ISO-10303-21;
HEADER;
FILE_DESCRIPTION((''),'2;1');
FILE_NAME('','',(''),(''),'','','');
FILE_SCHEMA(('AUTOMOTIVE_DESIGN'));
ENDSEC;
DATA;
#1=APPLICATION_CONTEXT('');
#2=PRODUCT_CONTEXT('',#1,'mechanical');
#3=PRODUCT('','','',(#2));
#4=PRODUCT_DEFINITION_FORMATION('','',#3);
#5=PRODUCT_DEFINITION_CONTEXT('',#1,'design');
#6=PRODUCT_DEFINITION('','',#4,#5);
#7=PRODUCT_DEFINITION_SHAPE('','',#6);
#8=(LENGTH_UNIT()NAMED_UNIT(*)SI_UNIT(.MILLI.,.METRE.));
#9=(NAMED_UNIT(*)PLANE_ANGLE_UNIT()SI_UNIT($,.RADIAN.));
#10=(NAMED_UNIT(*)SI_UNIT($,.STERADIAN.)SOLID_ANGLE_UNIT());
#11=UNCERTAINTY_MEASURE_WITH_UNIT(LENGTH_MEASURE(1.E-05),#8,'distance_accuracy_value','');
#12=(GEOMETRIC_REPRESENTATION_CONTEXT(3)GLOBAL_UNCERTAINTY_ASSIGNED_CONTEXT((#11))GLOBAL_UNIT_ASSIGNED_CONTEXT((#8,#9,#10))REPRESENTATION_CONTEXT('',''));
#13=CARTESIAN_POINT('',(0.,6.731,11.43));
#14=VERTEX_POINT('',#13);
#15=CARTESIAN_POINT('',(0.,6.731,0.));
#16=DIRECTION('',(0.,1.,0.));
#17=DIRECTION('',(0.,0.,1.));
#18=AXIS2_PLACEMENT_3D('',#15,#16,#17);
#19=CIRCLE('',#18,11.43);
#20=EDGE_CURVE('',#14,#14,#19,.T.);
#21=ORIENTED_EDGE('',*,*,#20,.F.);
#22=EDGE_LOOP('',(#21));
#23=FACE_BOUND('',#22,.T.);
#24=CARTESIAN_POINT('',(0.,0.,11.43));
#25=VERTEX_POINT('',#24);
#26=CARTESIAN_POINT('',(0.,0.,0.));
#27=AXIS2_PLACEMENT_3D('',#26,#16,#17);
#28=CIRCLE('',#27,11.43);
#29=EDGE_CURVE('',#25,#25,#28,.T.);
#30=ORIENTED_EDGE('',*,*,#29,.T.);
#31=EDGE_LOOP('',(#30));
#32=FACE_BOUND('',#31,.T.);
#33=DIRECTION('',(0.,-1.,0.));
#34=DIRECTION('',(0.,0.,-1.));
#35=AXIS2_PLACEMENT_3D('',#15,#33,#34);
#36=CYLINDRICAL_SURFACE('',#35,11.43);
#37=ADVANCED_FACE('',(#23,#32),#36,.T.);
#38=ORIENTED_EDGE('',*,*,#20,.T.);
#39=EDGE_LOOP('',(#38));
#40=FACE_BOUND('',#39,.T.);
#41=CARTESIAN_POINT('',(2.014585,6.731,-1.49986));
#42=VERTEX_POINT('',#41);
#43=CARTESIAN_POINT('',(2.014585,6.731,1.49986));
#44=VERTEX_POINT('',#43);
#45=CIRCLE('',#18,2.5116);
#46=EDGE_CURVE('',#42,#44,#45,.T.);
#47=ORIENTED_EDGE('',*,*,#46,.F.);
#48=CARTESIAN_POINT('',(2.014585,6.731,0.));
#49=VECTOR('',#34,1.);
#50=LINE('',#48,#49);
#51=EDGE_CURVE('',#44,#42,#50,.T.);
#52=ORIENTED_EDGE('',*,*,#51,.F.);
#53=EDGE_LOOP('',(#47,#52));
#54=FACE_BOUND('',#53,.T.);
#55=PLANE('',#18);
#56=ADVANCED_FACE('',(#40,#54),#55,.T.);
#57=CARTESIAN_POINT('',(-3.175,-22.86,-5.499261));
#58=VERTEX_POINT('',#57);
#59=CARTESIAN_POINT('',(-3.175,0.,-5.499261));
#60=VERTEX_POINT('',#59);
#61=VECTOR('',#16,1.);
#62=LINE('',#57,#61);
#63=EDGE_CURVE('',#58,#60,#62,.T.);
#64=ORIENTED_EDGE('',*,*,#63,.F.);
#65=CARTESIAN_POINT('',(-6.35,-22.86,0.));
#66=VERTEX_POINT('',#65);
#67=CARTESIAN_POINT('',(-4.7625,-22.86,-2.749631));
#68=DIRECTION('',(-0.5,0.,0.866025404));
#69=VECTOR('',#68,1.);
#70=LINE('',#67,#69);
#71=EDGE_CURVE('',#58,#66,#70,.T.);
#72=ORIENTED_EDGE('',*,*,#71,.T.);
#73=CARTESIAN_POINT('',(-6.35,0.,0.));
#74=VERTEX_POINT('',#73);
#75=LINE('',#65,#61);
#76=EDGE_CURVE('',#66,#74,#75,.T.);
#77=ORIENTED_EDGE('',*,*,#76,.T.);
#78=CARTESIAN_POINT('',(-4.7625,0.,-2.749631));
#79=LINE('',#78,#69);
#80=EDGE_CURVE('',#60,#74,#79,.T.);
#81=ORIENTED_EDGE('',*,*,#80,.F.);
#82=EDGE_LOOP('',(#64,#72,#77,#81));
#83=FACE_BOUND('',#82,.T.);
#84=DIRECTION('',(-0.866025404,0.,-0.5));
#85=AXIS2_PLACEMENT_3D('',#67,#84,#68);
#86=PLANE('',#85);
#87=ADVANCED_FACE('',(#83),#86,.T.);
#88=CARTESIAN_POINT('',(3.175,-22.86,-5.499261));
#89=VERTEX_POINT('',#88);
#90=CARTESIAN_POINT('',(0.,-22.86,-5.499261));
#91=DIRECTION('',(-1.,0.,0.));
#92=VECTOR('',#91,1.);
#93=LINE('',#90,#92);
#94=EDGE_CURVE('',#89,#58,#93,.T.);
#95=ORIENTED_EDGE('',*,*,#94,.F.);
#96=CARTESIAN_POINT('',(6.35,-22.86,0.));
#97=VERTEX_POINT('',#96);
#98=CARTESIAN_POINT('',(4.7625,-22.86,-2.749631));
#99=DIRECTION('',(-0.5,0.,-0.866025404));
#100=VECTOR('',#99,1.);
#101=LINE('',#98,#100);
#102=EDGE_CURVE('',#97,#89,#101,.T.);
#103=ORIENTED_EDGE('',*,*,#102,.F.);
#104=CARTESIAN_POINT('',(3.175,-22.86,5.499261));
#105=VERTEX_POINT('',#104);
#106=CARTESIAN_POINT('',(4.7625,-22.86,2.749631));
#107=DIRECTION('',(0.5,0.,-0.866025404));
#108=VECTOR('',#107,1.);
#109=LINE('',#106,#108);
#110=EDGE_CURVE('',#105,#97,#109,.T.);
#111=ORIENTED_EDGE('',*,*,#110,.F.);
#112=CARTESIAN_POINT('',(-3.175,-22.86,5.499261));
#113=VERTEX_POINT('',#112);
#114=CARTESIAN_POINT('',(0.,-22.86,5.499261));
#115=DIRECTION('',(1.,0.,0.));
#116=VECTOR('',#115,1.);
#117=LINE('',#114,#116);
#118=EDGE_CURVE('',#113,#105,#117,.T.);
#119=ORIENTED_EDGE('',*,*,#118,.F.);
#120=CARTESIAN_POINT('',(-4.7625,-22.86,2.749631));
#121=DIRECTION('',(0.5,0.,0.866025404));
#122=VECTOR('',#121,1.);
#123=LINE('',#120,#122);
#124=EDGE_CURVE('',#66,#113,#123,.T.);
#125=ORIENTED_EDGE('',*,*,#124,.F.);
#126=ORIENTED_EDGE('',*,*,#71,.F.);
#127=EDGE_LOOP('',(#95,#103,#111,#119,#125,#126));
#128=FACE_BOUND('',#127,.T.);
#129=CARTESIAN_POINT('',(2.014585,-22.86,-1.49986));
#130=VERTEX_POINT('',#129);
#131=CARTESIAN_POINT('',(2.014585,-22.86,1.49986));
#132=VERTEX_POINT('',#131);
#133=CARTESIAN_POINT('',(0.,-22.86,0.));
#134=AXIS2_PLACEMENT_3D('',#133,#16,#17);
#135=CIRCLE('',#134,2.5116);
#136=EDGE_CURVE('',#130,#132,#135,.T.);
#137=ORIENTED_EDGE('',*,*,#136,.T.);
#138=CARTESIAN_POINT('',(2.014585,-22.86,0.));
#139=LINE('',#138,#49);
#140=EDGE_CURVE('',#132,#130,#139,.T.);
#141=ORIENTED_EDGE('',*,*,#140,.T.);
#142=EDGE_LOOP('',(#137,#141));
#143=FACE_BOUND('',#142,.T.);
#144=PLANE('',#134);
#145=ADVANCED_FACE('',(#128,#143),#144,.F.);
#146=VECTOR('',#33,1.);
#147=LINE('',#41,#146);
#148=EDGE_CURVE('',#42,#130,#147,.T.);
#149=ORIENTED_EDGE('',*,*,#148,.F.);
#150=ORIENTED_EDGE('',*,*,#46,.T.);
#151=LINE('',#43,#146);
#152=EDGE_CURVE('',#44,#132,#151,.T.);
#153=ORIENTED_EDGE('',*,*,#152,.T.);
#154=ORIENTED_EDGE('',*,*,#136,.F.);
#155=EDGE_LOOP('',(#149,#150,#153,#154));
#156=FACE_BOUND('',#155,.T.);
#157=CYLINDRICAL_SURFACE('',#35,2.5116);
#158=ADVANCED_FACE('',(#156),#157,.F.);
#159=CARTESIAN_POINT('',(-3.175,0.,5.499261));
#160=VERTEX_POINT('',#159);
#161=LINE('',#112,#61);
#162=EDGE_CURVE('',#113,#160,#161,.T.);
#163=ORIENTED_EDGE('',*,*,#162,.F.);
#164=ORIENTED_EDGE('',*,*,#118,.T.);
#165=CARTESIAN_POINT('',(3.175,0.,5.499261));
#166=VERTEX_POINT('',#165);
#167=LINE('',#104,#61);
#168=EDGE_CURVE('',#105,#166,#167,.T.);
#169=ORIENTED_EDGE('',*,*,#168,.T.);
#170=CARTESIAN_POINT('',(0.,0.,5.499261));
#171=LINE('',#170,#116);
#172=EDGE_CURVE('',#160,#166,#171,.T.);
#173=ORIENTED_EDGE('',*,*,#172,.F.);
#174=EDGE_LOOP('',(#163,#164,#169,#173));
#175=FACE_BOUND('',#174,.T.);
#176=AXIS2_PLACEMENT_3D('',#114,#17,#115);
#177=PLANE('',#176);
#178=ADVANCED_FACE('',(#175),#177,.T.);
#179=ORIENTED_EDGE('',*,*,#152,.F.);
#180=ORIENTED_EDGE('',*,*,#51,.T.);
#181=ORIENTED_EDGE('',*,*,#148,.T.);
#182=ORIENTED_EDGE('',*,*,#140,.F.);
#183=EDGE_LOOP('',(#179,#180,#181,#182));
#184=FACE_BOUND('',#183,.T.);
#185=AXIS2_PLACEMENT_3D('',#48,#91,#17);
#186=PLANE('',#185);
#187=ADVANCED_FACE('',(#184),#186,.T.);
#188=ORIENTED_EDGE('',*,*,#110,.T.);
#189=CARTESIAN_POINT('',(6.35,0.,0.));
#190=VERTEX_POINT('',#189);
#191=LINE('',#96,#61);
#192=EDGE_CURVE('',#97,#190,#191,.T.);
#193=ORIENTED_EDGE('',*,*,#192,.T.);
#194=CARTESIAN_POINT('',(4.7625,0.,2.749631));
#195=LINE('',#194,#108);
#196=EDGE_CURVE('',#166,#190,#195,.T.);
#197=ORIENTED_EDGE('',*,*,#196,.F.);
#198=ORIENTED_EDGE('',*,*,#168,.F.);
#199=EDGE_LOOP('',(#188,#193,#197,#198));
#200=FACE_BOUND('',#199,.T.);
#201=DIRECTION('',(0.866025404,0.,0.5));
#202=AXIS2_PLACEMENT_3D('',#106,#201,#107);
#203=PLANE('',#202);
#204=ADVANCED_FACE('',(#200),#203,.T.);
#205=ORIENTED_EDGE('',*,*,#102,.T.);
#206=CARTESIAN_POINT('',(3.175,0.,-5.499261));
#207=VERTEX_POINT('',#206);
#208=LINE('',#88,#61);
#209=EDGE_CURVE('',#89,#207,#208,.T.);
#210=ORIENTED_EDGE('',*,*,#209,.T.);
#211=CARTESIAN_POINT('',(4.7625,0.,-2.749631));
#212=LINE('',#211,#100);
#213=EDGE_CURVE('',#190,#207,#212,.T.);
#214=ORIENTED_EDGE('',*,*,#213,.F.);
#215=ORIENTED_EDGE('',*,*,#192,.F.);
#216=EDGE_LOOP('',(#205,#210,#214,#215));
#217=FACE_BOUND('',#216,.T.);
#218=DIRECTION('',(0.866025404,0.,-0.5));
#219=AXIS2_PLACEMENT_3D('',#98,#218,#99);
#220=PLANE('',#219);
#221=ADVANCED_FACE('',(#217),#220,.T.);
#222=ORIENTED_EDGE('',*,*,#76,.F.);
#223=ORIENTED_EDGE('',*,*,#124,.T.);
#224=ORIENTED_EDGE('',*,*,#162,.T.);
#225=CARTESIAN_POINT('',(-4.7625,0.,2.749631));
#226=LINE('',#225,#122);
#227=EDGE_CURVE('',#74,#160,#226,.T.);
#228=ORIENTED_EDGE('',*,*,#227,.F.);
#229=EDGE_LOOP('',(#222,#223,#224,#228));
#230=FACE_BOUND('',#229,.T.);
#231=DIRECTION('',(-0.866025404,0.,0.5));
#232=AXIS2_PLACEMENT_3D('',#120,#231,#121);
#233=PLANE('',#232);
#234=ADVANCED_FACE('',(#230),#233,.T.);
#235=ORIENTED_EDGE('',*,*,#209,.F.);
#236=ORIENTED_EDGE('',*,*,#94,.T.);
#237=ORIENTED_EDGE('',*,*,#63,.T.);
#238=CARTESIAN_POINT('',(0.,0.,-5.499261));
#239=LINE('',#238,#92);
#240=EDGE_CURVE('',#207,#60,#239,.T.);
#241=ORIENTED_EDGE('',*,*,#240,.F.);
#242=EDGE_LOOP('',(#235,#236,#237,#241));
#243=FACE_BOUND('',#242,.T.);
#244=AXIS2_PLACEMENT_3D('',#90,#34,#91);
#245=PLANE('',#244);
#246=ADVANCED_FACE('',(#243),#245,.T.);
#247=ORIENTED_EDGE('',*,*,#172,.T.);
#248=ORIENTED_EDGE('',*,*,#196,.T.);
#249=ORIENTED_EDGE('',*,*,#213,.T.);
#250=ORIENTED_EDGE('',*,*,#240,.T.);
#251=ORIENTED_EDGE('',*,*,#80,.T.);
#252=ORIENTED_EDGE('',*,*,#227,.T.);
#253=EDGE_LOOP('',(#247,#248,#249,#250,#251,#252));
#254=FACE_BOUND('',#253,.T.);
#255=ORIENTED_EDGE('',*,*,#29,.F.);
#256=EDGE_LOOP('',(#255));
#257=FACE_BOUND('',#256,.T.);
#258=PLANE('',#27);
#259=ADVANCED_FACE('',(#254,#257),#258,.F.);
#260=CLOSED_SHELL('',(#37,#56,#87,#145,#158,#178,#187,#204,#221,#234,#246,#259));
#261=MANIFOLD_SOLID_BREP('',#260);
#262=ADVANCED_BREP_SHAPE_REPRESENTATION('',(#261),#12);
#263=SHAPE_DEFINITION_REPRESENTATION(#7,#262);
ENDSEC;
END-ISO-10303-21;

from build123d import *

# Parameters (mm, degrees)
SKETCH1_R           = 11.43
BOSS_EXTRUDE1_DEPTH = 6.731
BOSS_EXTRUDE2_START = -22.86
BOSS_EXTRUDE2_DEPTH = 22.86


with BuildPart() as part:
    # Sketch1 → Boss-Extrude1 (new body)
    with BuildSketch(Plane(origin=(0, 0, 0), x_dir=(1, 0, 0), z_dir=(0, 1, 0))):
        Circle(SKETCH1_R)
        with BuildLine():
            Line((2.014584776, 1.499860387), (2.014584776, -1.499860387))
            ThreePointArc((2.014584776, -1.499860387), (-2.51159969, 0), (2.014584776, 1.499860387))
        make_face(mode=Mode.SUBTRACT)
    extrude(amount=BOSS_EXTRUDE1_DEPTH)

    # Sketch1<3> → Boss-Extrude2 (add)
    with BuildSketch(Plane(origin=(0, 0, 0), x_dir=(1, 0, 0), z_dir=(0, 1, 0)).offset(BOSS_EXTRUDE2_START)):
        Polygon((-6.35, 0), (-3.175, -5.499261314), (3.175, -5.499261314), (6.35, 0), (3.175, 5.499261314), (-3.175, 5.499261314), align=None)
        with BuildLine():
            Line((2.014584776, 1.499860387), (2.014584776, -1.499860387))
            ThreePointArc((2.014584776, -1.499860387), (-2.51159969, 0), (2.014584776, 1.499860387))
        make_face(mode=Mode.SUBTRACT)
    extrude(amount=BOSS_EXTRUDE2_DEPTH)


solid = part.part
